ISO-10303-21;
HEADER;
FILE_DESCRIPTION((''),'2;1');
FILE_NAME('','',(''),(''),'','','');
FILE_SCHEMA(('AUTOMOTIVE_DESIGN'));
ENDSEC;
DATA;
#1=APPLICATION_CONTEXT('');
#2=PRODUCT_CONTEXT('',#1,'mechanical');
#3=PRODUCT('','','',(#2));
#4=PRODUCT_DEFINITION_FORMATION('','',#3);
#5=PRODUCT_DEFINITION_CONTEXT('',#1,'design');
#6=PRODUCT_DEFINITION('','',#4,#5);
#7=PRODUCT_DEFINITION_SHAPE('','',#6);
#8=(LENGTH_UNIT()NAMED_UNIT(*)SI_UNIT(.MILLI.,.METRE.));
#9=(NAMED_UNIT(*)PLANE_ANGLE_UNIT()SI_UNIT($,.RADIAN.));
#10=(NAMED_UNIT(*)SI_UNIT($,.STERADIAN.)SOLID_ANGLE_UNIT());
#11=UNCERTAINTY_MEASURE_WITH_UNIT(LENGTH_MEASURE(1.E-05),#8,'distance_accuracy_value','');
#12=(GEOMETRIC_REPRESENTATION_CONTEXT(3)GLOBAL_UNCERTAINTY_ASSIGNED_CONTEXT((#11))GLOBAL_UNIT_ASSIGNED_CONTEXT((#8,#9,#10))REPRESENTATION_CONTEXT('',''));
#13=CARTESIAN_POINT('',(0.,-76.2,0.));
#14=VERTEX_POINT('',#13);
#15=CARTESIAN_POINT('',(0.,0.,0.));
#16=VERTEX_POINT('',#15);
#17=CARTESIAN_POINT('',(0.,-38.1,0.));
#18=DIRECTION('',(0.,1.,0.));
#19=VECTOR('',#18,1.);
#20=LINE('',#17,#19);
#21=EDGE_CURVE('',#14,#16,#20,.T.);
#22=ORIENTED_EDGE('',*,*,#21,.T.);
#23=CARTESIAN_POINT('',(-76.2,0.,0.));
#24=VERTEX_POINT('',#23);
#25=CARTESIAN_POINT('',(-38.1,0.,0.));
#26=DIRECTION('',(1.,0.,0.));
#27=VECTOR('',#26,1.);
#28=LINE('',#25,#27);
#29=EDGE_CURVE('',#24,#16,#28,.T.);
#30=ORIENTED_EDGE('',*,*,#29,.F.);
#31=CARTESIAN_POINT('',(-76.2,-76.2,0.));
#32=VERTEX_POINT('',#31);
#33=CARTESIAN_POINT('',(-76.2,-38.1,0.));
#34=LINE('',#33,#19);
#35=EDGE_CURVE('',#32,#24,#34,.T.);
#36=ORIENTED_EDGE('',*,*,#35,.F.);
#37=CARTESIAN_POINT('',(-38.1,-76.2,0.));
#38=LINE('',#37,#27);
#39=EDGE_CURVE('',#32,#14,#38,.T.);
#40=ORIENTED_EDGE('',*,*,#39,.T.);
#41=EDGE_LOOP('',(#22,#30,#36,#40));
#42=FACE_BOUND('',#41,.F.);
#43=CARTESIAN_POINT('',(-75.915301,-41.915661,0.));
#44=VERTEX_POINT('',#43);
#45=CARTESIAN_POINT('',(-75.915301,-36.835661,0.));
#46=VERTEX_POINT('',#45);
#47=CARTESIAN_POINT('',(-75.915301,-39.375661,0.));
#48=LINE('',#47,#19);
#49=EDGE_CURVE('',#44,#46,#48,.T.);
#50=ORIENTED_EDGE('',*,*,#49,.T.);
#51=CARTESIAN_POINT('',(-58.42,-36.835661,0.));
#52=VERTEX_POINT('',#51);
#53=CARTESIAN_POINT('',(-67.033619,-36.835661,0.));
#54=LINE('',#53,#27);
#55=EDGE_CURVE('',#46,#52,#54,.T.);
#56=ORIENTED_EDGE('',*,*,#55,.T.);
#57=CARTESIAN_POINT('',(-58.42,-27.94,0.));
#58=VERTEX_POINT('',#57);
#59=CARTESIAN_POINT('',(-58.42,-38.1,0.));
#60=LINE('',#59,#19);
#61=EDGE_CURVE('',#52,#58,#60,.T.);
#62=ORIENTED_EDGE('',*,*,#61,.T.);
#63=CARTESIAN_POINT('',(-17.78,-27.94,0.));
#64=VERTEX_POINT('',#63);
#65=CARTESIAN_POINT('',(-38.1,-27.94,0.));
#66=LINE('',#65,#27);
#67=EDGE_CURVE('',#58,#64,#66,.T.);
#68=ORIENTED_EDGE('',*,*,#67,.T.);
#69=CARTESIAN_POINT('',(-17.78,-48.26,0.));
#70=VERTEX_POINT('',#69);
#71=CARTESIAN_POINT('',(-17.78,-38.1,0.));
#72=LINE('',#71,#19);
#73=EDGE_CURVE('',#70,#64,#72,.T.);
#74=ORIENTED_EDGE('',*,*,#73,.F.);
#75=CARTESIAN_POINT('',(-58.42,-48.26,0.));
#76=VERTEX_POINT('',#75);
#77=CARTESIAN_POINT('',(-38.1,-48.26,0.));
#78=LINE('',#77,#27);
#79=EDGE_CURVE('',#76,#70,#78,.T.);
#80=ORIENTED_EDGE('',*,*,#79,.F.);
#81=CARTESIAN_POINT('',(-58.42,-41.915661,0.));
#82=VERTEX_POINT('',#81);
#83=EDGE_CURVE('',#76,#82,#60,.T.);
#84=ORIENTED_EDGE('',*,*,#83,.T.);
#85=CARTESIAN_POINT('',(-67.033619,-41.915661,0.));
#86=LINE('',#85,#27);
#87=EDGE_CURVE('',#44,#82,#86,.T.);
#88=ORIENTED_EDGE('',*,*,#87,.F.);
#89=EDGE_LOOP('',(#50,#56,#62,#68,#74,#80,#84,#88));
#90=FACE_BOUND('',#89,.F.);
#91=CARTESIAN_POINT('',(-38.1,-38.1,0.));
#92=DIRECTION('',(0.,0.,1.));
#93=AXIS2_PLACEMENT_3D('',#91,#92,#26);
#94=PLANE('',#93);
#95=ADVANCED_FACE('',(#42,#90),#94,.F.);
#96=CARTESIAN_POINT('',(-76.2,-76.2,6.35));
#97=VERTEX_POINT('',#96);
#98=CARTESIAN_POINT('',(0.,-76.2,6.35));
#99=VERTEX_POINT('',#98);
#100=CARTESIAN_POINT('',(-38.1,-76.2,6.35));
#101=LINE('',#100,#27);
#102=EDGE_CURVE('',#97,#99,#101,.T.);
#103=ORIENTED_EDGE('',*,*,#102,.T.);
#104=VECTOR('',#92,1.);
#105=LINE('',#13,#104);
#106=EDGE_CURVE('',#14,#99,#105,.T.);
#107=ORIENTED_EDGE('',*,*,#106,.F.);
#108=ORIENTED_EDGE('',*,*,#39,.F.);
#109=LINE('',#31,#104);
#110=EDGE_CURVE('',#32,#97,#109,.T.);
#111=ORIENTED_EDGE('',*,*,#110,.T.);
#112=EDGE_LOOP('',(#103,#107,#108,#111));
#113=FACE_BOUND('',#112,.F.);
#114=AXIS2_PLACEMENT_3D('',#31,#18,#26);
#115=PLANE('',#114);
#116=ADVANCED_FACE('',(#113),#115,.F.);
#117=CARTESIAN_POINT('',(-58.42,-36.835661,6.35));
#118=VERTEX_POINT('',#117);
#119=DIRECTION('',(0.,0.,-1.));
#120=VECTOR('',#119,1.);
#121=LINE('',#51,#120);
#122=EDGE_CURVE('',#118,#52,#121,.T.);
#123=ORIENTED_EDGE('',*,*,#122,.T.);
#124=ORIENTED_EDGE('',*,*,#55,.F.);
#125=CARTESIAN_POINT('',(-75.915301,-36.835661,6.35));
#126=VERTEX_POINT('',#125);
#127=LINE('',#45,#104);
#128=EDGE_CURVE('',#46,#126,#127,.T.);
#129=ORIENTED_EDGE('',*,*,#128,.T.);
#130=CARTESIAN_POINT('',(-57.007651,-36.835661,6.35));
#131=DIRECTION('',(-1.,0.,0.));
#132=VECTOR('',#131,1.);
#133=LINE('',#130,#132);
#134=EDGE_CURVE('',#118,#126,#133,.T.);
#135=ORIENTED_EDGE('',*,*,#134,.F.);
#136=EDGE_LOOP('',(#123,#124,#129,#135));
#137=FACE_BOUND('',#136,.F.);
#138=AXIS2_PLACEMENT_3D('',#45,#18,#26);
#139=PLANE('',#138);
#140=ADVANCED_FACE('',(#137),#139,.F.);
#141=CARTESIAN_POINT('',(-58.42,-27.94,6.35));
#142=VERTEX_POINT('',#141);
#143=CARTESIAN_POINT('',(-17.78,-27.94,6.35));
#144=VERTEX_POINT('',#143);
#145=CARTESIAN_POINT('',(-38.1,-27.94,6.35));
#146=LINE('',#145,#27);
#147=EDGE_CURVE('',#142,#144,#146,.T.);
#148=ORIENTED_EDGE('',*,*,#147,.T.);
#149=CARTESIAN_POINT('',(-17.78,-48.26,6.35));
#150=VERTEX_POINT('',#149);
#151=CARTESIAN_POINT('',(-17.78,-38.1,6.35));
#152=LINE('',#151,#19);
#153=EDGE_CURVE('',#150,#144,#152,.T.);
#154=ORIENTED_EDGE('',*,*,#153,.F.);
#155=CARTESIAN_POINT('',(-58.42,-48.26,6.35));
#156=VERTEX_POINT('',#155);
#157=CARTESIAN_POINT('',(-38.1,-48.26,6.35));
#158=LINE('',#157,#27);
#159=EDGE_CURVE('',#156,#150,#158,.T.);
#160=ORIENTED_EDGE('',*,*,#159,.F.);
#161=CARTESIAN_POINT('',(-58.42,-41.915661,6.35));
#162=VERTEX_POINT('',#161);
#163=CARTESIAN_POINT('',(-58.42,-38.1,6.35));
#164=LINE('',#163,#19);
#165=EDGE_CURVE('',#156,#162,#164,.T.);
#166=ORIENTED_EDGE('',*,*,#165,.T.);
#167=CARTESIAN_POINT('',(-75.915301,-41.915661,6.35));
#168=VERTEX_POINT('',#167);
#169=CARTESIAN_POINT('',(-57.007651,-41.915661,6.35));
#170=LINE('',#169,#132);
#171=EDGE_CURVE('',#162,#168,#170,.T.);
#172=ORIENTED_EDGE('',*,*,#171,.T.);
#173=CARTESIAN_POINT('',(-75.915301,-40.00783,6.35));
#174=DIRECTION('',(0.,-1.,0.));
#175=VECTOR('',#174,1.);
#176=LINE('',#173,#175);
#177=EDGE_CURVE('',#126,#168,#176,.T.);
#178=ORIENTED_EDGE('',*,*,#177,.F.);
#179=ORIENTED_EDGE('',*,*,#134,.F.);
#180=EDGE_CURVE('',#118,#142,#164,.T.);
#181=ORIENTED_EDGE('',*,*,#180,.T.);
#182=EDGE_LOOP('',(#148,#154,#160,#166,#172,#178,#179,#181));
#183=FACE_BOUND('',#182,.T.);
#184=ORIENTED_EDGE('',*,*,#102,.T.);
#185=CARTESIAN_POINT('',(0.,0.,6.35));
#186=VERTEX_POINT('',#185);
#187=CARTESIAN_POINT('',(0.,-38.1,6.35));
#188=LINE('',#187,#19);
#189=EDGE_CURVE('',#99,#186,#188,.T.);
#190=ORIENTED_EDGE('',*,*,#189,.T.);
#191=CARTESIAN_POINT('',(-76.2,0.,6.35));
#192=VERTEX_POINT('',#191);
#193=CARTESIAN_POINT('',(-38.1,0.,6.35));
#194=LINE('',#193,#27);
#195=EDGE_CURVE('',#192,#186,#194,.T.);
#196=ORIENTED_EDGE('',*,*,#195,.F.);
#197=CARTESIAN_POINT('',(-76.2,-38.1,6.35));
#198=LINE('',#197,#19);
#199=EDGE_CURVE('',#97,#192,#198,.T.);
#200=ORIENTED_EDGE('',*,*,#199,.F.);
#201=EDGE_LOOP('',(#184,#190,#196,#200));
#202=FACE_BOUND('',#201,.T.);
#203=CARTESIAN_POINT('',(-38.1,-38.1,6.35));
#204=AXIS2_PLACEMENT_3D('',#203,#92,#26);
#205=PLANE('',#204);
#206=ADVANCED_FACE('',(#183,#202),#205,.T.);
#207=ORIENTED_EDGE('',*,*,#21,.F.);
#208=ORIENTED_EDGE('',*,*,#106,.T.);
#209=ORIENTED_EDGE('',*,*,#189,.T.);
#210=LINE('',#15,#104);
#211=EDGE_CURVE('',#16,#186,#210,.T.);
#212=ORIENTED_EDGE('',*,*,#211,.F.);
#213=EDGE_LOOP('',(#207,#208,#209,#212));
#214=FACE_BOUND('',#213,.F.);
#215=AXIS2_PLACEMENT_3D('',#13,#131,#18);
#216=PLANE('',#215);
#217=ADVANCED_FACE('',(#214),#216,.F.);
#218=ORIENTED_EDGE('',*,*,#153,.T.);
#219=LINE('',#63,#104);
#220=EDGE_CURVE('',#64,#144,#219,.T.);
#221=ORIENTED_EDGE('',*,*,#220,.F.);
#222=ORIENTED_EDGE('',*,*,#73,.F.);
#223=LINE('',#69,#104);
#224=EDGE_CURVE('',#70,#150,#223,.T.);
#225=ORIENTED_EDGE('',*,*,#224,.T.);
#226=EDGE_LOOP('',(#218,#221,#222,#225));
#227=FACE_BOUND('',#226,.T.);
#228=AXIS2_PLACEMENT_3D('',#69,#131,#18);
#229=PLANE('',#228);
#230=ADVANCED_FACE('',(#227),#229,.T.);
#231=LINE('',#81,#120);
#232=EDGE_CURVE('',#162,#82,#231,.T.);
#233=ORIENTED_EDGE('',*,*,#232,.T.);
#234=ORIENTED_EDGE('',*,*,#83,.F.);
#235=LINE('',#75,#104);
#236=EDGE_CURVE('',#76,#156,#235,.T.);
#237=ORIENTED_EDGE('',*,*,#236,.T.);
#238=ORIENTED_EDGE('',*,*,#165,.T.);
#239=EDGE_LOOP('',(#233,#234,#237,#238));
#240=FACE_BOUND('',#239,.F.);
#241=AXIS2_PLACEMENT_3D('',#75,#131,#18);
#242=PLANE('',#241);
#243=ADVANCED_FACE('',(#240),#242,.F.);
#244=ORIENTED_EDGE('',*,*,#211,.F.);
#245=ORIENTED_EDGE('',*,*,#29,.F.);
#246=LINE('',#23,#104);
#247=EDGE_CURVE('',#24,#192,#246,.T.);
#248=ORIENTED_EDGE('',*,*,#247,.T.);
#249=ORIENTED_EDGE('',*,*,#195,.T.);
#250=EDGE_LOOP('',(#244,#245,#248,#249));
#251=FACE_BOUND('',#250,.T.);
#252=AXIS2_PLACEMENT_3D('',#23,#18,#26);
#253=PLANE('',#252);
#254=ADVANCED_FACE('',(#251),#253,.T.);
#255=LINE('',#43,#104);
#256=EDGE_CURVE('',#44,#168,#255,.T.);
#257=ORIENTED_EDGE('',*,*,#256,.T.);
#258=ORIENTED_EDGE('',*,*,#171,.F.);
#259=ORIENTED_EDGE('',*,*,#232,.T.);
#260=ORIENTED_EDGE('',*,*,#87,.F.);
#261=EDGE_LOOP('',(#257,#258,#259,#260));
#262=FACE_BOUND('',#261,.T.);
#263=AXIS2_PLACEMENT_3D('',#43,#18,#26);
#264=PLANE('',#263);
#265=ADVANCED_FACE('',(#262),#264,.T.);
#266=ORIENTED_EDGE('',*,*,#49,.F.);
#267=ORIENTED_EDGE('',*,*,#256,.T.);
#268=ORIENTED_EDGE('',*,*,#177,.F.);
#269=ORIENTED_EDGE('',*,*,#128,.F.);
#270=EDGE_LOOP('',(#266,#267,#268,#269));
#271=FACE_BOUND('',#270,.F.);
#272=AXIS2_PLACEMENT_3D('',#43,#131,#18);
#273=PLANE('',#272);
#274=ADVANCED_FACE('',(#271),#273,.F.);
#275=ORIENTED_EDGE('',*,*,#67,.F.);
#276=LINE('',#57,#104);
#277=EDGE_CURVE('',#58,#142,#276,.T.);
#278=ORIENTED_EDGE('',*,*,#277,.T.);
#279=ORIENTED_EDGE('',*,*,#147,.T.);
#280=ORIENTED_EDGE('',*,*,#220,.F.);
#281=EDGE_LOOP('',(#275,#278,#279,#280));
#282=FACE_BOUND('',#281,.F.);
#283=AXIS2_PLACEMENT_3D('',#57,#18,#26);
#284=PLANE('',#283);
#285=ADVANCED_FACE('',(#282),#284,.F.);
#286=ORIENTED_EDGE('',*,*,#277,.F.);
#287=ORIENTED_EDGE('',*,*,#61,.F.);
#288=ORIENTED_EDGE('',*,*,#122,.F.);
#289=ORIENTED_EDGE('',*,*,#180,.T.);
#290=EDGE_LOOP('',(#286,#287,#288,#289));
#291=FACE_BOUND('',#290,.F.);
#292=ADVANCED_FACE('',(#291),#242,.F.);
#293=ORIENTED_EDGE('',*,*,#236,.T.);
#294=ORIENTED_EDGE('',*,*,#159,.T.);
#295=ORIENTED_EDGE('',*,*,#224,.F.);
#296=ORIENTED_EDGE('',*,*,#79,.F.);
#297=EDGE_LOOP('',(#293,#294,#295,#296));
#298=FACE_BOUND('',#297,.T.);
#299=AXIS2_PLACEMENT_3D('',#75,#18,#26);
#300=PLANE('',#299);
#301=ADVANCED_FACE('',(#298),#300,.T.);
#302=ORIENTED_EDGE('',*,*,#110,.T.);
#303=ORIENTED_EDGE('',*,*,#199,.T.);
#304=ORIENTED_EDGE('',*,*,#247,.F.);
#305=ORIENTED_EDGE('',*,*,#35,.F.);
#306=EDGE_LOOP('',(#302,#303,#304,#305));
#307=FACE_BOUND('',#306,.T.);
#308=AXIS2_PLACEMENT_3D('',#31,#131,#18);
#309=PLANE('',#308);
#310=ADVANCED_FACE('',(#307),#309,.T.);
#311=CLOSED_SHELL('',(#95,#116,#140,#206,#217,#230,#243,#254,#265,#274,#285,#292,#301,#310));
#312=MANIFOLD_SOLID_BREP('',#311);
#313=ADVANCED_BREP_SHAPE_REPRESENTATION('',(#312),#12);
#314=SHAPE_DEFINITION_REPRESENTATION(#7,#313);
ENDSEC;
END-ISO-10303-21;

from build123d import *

# Parameters (mm, degrees)
F1_W     = 76.2
F1_H     = 76.2
F1_W_2   = 40.64
F1_H_2   = 20.32
F2_DEPTH = 6.35
F3_W     = 17.763365
F3_H     = 5.08
F4_DEPTH = 25.4


with BuildPart() as f2:
    # F1 (on face) → F2 (new body)
    with BuildSketch(Plane.XY):
        with Locations((-38.1, -38.1)):
            Rectangle(F1_W, F1_H)
        with Locations((-38.1, -38.1)):
            Rectangle(F1_W_2, F1_H_2, mode=Mode.SUBTRACT)
    extrude(amount=F2_DEPTH)

    # F3 (on face) → F4 (cut)
    with BuildSketch(Plane.XY):
        with Locations((-67.033619, -39.375661)):
            Rectangle(F3_W, F3_H)
    extrude(amount=F4_DEPTH, mode=Mode.SUBTRACT)


solid = f2.part
